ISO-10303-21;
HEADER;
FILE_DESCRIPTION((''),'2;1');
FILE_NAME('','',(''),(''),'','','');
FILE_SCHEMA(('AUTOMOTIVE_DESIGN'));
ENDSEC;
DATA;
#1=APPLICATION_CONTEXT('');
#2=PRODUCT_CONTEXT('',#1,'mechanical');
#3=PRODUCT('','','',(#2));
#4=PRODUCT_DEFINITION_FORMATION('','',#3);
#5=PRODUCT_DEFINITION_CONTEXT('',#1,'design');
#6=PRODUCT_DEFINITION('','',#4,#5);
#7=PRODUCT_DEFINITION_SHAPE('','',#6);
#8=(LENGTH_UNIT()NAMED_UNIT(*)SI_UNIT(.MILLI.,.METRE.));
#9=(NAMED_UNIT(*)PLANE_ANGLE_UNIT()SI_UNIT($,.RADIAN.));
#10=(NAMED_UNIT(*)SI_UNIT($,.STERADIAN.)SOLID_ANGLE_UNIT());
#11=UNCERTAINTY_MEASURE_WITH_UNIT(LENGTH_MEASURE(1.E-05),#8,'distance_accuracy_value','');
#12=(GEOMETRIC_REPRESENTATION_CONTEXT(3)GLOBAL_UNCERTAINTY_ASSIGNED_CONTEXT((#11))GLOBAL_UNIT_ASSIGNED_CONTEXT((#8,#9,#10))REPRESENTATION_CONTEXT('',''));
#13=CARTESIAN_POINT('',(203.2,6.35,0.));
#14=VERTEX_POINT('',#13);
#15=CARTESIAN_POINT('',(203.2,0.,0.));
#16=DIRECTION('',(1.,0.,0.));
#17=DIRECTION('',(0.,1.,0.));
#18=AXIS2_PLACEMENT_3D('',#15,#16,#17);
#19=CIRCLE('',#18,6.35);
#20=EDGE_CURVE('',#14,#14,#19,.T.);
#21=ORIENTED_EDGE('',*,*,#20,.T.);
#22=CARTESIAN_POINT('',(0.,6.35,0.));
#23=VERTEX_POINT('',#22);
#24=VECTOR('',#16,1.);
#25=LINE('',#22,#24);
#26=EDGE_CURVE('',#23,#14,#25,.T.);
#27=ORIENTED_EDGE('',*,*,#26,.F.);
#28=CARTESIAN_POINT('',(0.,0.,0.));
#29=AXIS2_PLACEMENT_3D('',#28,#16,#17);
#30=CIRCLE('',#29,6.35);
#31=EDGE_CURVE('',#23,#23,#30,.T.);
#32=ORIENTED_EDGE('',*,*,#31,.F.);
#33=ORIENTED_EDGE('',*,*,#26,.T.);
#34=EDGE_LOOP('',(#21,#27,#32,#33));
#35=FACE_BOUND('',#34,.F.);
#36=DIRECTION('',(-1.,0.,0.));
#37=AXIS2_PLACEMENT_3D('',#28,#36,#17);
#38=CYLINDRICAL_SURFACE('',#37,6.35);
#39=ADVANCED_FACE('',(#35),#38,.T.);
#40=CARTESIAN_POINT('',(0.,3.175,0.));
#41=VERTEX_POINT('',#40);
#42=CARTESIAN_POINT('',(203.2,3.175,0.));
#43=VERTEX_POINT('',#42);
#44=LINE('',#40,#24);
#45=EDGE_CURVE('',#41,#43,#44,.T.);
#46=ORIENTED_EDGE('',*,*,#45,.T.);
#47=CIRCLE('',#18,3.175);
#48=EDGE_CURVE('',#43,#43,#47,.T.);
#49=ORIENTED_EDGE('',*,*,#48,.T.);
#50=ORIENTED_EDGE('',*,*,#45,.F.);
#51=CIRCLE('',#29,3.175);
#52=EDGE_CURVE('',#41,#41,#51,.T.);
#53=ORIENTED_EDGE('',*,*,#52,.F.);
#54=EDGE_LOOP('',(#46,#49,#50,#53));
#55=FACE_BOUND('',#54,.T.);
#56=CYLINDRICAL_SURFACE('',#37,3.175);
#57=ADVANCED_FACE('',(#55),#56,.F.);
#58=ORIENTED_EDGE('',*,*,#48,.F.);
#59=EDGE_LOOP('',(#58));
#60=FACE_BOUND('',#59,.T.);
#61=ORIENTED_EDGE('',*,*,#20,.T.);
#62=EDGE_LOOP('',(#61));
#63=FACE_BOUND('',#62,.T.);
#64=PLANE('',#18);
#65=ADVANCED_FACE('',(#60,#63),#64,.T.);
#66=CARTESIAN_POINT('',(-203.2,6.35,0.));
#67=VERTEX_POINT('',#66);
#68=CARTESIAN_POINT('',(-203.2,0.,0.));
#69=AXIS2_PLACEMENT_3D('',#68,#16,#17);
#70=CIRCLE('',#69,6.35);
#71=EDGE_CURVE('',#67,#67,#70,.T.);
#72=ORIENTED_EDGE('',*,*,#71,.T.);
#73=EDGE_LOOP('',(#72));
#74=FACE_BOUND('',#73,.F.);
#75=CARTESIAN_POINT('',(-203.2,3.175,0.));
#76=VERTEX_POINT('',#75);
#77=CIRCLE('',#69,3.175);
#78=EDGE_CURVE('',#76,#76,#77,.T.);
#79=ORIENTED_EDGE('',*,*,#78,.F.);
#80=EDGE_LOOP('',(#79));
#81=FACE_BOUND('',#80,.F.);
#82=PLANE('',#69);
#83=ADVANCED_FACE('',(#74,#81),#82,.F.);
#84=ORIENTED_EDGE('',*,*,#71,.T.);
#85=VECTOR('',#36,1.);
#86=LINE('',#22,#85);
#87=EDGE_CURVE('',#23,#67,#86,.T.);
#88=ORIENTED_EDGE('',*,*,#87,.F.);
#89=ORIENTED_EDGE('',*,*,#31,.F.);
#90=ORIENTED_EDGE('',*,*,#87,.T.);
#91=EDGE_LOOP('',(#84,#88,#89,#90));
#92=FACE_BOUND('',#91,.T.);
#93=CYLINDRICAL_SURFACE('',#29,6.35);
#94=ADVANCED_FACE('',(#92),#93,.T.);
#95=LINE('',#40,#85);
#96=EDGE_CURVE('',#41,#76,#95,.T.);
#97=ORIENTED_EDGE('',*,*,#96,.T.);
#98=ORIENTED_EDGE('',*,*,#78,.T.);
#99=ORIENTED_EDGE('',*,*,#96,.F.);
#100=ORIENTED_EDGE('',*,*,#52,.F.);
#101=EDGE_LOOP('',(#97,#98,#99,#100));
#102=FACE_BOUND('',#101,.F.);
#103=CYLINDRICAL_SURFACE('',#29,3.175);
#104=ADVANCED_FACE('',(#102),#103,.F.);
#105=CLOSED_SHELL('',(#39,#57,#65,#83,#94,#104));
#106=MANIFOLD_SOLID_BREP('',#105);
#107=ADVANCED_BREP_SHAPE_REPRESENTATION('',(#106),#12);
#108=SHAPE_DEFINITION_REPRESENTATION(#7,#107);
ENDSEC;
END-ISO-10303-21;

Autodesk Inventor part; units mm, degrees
ref_plane "YZ Plane" through (0, 0, 0) normal (1, 0, 0) x (0, 1, 0)
ref_plane "XZ Plane" through (0, 0, 0) normal (0, 1, 0) x (-1, 0, 0)
ref_plane "XY Plane" through (0, 0, 0) normal (0, 0, 1) x (1, 0, 0)
sketch "Sketch1" plane through (0, 0, 0) normal (1, 0, 0) x (0, 1, 0)
  circle A0 centre (0, 0) radius 6.35
  circle A1 centre (0, 0) radius 3.175
  dimension "d0" = 12.7
  dimension "d1" = 6.35
extrude "Extrusion1" add sketch "Sketch1" along normal mid plane 406.4
properties part number "cross support"
